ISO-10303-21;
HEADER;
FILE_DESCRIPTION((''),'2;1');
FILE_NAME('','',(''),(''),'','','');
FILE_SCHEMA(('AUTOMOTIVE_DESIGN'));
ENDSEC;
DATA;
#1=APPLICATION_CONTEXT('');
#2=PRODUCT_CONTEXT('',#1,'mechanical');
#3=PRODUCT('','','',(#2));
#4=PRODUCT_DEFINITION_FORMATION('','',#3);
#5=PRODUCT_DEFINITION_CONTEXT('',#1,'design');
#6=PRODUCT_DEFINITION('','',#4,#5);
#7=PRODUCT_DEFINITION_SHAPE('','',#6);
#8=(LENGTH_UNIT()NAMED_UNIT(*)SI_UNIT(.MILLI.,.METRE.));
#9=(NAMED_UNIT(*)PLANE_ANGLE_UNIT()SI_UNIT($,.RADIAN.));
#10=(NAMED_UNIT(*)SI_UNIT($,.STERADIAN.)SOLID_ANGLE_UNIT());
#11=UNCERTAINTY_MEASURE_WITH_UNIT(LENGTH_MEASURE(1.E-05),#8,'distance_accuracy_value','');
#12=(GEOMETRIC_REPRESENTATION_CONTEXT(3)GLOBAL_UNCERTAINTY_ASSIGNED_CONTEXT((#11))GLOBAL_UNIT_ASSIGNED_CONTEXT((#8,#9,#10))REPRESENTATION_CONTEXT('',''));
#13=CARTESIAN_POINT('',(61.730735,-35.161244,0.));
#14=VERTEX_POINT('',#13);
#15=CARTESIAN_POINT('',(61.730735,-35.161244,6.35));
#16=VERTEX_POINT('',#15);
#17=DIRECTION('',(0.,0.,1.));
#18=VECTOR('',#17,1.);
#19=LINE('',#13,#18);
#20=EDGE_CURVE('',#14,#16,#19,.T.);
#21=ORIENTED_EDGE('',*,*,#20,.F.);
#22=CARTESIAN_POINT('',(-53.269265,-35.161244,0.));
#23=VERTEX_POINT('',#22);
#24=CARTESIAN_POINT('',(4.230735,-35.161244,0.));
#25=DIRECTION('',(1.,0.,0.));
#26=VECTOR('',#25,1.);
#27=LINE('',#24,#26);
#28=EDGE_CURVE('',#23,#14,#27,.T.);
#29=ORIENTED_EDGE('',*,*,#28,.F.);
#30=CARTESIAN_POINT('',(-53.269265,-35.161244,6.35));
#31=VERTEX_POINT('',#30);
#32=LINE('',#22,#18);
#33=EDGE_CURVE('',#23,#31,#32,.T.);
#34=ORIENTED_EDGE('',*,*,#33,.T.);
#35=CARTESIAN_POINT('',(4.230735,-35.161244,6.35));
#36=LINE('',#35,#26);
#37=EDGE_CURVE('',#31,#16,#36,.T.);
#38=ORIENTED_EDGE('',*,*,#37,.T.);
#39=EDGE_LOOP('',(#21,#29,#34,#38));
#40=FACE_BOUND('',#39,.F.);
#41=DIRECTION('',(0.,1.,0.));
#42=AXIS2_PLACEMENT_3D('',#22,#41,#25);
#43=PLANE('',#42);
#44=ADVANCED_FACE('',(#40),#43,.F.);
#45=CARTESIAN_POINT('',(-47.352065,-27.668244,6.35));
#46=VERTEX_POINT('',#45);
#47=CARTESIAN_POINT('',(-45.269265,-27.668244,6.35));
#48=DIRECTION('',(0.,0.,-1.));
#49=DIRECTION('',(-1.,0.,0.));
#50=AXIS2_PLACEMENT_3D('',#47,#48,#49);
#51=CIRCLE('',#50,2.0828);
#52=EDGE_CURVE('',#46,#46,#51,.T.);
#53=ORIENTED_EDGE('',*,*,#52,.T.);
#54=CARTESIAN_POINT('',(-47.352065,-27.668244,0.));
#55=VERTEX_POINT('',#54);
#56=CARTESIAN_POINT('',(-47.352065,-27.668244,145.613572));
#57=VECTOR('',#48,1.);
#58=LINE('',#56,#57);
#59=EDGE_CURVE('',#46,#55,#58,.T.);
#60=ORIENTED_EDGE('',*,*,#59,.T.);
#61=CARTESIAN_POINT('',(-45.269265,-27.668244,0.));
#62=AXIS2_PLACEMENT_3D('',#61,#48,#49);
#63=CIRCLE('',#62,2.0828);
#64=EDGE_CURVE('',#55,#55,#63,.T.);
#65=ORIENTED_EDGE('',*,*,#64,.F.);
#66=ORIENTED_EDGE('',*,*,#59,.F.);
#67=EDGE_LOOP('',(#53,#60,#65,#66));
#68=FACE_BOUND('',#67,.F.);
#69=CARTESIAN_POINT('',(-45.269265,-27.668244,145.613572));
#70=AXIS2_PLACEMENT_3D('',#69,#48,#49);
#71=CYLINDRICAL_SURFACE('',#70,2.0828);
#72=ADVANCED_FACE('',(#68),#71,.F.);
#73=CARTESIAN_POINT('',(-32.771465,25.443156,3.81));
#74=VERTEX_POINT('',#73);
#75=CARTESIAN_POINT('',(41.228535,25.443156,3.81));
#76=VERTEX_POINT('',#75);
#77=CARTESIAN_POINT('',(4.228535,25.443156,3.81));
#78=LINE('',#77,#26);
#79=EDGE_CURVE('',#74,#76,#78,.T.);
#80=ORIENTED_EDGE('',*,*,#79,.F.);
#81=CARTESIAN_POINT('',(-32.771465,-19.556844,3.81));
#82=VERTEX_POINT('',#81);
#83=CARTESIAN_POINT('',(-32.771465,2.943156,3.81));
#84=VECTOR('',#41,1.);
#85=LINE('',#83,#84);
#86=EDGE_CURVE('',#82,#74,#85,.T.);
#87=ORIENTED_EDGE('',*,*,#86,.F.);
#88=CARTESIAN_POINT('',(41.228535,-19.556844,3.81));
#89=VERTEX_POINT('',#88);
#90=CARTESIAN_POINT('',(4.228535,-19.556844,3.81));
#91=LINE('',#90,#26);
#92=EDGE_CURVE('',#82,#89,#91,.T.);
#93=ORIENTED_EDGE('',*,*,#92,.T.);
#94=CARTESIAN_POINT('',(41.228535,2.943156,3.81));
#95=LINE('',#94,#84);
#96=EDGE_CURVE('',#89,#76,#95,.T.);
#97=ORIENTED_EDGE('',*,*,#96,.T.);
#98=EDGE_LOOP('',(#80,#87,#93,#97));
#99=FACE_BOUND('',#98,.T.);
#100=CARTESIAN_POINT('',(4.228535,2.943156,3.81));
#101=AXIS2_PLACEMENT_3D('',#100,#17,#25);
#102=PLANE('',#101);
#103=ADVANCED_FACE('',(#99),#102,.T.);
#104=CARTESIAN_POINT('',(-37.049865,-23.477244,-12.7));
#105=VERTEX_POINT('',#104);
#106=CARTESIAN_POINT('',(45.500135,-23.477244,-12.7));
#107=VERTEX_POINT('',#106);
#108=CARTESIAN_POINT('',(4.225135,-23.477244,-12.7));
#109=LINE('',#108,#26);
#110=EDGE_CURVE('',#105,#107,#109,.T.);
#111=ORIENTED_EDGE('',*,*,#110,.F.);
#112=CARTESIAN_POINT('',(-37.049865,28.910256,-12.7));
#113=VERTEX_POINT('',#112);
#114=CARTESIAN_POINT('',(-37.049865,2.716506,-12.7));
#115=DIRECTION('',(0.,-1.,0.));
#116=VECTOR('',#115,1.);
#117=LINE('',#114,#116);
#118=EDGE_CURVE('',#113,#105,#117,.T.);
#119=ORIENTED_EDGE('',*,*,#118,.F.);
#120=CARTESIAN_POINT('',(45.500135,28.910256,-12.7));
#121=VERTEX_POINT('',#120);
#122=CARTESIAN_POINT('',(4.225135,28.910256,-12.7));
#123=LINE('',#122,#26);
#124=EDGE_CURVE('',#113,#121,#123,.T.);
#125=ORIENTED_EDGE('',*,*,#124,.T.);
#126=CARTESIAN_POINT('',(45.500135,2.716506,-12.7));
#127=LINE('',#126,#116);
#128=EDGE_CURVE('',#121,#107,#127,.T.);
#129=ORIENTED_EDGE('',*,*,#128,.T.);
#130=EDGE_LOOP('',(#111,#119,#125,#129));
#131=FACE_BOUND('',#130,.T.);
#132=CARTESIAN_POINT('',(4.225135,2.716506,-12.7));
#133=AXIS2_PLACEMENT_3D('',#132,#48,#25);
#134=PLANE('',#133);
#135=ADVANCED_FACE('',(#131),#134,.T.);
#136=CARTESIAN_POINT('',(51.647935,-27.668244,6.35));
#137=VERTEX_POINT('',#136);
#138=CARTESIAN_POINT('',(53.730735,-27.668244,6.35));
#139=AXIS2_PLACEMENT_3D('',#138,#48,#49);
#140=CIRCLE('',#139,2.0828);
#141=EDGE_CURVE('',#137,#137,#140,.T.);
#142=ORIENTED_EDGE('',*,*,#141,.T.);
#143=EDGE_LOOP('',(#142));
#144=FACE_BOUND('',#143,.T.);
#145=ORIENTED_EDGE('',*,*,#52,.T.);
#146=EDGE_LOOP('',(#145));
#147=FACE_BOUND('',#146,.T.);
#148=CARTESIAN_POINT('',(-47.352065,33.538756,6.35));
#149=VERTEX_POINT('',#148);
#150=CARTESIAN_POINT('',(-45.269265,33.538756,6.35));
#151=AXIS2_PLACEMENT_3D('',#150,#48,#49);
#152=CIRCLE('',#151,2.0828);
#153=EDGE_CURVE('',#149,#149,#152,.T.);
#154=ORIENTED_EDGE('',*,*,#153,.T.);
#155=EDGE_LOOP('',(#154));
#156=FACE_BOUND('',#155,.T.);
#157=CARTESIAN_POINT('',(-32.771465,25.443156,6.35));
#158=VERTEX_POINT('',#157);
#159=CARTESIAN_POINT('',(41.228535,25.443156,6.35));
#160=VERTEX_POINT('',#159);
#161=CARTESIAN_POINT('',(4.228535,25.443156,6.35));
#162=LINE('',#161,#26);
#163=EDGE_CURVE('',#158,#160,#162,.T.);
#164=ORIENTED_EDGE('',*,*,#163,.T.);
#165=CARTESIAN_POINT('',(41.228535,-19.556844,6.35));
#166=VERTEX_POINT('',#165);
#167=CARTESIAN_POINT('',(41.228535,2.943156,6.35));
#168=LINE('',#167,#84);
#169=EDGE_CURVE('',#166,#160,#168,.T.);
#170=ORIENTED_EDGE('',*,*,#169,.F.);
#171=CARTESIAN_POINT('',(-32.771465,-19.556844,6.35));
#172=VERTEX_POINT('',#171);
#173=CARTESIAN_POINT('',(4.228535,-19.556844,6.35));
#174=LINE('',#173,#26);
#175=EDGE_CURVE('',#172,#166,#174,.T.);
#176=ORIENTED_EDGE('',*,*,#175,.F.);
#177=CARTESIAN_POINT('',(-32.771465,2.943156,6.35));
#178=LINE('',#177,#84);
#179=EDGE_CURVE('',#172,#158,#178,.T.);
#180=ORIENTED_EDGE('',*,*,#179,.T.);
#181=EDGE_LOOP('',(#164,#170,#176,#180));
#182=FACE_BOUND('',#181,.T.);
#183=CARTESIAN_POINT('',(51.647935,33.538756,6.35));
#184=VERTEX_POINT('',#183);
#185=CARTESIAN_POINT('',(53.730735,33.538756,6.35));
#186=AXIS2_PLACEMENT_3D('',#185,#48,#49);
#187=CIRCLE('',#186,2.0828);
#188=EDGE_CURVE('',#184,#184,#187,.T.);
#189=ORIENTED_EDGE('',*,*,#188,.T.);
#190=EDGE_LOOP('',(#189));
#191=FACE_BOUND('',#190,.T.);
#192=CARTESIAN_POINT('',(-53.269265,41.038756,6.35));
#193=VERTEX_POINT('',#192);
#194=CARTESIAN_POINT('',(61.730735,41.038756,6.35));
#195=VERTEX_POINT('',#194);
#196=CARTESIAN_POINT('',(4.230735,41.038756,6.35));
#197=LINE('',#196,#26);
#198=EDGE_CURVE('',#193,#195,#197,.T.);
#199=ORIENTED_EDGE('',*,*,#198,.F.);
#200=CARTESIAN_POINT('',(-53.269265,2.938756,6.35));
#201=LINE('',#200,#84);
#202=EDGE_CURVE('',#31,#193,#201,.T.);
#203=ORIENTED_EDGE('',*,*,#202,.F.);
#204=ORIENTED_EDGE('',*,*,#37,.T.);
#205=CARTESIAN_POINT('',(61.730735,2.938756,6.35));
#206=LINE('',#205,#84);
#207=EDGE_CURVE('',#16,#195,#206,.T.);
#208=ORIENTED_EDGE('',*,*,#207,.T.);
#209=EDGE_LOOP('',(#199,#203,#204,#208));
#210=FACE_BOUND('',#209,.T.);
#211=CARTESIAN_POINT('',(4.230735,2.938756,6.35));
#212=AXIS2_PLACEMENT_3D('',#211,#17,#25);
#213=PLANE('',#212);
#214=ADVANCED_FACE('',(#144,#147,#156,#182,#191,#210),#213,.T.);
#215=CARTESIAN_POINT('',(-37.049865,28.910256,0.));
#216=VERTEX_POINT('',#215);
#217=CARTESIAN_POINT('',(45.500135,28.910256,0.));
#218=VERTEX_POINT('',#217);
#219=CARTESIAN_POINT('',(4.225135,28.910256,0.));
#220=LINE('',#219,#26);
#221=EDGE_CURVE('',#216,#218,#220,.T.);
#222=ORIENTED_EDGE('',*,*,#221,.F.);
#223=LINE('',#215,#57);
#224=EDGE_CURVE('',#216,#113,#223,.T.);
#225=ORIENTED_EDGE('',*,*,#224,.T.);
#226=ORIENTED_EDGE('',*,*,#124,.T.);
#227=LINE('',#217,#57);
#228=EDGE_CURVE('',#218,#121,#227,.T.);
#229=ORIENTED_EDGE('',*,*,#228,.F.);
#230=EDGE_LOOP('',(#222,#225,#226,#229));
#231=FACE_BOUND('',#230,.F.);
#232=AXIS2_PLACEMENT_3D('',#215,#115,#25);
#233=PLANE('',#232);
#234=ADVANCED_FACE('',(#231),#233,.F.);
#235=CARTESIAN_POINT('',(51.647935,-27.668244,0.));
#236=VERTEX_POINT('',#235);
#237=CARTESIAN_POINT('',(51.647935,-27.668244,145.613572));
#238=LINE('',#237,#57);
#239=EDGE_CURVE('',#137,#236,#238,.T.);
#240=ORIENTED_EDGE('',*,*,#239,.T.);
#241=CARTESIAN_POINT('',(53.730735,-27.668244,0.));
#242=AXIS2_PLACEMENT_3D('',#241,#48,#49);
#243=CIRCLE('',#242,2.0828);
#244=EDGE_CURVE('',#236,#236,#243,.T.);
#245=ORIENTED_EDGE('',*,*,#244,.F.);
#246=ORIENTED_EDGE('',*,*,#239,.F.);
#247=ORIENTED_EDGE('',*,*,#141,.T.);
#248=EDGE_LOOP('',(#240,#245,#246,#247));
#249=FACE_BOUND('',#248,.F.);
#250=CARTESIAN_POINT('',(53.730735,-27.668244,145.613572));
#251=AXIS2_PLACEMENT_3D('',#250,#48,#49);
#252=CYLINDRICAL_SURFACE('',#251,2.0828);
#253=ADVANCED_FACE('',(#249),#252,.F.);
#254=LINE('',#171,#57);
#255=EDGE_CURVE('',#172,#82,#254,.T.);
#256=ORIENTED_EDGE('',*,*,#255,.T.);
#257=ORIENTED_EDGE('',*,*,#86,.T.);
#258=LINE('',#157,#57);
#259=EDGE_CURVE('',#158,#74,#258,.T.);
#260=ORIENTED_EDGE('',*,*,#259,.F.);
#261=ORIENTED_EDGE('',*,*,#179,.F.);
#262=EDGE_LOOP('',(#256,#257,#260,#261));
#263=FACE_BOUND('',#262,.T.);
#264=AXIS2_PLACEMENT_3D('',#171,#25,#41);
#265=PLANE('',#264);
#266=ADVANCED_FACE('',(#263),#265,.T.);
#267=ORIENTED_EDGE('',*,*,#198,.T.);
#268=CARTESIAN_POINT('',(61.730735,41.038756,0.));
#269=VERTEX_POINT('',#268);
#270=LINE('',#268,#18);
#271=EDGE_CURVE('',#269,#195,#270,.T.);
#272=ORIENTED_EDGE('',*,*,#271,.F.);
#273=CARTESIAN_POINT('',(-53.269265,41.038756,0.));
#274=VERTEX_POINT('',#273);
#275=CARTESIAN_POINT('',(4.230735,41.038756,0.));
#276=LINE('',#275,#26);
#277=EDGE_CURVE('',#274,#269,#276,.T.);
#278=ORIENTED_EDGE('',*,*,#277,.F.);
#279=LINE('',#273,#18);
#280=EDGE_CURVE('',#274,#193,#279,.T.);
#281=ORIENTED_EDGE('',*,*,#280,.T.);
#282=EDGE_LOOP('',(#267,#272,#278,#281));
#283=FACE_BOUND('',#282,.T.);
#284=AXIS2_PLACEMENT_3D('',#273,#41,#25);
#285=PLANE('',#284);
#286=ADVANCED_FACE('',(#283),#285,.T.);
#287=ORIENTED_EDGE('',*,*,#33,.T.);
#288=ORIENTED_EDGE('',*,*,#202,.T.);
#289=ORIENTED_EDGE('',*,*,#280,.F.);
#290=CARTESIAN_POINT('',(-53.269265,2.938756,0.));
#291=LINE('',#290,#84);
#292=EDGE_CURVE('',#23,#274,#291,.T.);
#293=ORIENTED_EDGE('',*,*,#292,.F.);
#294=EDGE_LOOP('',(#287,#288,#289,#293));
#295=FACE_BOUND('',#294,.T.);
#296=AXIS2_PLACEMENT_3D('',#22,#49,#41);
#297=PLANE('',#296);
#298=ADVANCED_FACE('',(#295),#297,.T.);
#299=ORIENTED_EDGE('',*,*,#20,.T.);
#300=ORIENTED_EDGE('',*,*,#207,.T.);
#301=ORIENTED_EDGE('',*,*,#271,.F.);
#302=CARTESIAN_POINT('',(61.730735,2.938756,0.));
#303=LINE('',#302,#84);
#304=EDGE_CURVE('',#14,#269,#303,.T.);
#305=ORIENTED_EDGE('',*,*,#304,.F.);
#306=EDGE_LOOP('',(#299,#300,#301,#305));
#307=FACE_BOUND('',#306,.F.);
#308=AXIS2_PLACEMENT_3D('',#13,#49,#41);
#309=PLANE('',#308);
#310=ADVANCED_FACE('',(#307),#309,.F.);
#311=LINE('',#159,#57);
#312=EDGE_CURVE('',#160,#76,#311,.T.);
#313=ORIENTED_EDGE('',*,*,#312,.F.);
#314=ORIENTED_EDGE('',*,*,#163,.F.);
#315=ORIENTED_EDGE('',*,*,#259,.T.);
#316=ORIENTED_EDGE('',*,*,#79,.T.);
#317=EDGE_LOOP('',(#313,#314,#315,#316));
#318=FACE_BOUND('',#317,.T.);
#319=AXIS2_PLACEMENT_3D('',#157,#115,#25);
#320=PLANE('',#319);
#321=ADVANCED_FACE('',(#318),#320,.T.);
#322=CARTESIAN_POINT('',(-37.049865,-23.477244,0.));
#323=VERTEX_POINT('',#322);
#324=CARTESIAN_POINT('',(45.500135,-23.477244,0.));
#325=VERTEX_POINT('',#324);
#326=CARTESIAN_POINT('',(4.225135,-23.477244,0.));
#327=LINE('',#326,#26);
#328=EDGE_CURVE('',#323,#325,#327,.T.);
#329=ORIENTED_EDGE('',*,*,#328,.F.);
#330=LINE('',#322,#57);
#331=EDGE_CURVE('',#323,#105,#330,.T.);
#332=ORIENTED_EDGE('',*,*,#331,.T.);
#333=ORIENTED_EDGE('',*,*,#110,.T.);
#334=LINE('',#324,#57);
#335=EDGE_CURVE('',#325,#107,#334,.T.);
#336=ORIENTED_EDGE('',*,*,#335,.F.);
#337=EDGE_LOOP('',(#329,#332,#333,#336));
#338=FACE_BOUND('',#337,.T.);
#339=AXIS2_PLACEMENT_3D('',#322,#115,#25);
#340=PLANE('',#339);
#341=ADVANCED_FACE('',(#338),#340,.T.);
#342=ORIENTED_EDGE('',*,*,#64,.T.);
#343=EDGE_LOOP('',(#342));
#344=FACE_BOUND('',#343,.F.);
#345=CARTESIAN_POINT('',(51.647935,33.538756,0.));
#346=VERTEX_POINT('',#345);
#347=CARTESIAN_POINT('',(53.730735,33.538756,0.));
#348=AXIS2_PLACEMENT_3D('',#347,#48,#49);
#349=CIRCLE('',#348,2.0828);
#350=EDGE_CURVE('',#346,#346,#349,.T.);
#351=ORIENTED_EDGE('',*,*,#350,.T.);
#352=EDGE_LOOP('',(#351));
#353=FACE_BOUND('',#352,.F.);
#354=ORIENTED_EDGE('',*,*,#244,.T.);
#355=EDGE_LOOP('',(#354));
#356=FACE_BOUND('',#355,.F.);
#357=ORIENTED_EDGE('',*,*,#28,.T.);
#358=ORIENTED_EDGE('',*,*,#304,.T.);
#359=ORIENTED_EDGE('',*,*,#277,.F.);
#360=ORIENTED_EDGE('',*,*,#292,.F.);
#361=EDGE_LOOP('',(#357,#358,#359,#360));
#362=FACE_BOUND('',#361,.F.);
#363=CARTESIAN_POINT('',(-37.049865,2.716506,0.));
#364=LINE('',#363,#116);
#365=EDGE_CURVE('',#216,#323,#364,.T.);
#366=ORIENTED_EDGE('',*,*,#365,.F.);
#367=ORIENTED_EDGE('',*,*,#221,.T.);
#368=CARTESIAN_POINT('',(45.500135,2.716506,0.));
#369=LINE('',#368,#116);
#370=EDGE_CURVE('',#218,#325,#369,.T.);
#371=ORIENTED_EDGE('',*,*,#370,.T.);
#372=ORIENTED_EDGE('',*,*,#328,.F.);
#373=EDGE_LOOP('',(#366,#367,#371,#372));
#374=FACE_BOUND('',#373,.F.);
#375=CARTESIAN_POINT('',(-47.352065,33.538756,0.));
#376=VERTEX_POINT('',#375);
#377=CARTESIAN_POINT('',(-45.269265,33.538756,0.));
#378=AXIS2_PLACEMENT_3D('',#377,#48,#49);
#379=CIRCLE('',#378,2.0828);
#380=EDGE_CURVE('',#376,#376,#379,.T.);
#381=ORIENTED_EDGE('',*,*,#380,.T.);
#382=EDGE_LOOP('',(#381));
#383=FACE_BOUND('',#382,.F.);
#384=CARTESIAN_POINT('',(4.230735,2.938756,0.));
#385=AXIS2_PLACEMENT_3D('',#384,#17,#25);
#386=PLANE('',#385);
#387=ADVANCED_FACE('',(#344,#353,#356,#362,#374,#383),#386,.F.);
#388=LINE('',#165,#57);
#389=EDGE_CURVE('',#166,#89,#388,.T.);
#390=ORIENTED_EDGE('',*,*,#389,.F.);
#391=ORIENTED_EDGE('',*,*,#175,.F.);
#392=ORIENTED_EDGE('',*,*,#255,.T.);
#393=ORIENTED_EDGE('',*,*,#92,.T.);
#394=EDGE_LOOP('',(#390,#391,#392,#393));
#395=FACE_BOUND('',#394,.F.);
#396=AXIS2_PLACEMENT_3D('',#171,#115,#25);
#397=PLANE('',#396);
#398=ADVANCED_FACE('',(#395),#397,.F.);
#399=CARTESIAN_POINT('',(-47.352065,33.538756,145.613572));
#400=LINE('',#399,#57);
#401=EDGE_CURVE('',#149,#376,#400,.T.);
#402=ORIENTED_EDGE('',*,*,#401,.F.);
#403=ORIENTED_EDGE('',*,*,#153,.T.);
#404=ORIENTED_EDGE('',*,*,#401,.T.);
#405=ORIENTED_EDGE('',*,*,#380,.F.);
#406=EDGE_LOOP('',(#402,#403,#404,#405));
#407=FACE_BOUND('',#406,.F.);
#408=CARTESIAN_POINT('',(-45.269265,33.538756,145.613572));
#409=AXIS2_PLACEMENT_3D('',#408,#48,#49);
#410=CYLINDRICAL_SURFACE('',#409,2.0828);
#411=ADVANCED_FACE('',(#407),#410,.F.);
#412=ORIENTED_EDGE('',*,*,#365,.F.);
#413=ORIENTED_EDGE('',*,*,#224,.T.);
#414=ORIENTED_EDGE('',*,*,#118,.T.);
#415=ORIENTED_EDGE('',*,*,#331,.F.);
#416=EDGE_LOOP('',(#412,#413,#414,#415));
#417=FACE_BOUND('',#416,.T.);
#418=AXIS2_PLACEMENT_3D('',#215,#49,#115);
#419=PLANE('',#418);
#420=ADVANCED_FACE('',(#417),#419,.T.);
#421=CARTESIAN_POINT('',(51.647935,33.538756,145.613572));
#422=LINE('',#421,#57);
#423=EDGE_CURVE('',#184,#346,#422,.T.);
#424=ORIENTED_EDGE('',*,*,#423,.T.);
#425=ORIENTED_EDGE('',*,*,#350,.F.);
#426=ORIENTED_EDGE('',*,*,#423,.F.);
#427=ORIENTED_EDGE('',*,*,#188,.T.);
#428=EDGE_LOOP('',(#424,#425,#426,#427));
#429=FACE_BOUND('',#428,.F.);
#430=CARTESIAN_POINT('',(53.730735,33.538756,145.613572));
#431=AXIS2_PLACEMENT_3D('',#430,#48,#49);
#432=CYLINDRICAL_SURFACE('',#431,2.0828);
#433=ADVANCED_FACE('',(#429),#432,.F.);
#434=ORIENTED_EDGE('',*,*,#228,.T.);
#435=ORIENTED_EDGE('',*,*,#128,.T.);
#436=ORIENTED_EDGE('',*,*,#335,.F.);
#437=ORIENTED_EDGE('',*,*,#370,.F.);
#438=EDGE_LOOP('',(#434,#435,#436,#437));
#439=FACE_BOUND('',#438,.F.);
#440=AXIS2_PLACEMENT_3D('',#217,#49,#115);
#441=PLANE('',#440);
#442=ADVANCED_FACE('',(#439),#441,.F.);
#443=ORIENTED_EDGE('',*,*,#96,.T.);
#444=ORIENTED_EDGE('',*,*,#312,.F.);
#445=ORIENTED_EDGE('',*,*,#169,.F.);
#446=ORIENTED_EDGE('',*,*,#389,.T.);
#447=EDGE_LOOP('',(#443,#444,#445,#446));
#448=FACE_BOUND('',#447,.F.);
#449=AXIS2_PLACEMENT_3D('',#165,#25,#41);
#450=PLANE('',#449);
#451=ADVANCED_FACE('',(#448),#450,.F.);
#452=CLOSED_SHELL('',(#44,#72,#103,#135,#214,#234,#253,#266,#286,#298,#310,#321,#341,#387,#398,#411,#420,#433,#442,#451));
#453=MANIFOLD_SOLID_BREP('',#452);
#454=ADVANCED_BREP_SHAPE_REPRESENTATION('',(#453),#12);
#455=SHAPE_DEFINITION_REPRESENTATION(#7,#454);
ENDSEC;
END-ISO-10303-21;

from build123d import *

# Parameters (mm, degrees)
F0_W     = 115
F0_H     = 76.2
F1_DEPTH = 6.35
F2_W     = 82.55
F2_H     = 52.3875
F3_DEPTH = 12.7
F4_W     = 74
F4_H     = 45
F5_DEPTH = 2.54
F7_D     = 4.1656


with BuildPart() as f1:
    # F0 (on Top) → F1 (new body)
    with BuildSketch(Plane.XY):
        with Locations((4.230735, 2.938756)):
            Rectangle(F0_W, F0_H)
    extrude(amount=F1_DEPTH)

    # F2 (on face) → F3 (join)
    with BuildSketch(Plane(origin=(0, 0, 0), x_dir=(1, 0, 0), z_dir=(0, 0, -1))):
        with Locations((4.225135, -2.716506)):
            Rectangle(F2_W, F2_H)
    extrude(amount=F3_DEPTH)

    # F4 (on face) → F5 (cut)
    with BuildSketch(Plane.XY.offset(6.35)):
        with Locations((4.228535, 2.943156)):
            Rectangle(F4_W, F4_H)
    extrude(amount=-F5_DEPTH, mode=Mode.SUBTRACT)

    # F7 (through all)
    with Locations(Plane.XY.offset(6.35)):
        with Locations((-45.269265, 33.538756), (53.730735, 33.538756), (53.730735, -27.668244), (-45.269265, -27.668244)):
            Hole(F7_D / 2)


solid = f1.part
